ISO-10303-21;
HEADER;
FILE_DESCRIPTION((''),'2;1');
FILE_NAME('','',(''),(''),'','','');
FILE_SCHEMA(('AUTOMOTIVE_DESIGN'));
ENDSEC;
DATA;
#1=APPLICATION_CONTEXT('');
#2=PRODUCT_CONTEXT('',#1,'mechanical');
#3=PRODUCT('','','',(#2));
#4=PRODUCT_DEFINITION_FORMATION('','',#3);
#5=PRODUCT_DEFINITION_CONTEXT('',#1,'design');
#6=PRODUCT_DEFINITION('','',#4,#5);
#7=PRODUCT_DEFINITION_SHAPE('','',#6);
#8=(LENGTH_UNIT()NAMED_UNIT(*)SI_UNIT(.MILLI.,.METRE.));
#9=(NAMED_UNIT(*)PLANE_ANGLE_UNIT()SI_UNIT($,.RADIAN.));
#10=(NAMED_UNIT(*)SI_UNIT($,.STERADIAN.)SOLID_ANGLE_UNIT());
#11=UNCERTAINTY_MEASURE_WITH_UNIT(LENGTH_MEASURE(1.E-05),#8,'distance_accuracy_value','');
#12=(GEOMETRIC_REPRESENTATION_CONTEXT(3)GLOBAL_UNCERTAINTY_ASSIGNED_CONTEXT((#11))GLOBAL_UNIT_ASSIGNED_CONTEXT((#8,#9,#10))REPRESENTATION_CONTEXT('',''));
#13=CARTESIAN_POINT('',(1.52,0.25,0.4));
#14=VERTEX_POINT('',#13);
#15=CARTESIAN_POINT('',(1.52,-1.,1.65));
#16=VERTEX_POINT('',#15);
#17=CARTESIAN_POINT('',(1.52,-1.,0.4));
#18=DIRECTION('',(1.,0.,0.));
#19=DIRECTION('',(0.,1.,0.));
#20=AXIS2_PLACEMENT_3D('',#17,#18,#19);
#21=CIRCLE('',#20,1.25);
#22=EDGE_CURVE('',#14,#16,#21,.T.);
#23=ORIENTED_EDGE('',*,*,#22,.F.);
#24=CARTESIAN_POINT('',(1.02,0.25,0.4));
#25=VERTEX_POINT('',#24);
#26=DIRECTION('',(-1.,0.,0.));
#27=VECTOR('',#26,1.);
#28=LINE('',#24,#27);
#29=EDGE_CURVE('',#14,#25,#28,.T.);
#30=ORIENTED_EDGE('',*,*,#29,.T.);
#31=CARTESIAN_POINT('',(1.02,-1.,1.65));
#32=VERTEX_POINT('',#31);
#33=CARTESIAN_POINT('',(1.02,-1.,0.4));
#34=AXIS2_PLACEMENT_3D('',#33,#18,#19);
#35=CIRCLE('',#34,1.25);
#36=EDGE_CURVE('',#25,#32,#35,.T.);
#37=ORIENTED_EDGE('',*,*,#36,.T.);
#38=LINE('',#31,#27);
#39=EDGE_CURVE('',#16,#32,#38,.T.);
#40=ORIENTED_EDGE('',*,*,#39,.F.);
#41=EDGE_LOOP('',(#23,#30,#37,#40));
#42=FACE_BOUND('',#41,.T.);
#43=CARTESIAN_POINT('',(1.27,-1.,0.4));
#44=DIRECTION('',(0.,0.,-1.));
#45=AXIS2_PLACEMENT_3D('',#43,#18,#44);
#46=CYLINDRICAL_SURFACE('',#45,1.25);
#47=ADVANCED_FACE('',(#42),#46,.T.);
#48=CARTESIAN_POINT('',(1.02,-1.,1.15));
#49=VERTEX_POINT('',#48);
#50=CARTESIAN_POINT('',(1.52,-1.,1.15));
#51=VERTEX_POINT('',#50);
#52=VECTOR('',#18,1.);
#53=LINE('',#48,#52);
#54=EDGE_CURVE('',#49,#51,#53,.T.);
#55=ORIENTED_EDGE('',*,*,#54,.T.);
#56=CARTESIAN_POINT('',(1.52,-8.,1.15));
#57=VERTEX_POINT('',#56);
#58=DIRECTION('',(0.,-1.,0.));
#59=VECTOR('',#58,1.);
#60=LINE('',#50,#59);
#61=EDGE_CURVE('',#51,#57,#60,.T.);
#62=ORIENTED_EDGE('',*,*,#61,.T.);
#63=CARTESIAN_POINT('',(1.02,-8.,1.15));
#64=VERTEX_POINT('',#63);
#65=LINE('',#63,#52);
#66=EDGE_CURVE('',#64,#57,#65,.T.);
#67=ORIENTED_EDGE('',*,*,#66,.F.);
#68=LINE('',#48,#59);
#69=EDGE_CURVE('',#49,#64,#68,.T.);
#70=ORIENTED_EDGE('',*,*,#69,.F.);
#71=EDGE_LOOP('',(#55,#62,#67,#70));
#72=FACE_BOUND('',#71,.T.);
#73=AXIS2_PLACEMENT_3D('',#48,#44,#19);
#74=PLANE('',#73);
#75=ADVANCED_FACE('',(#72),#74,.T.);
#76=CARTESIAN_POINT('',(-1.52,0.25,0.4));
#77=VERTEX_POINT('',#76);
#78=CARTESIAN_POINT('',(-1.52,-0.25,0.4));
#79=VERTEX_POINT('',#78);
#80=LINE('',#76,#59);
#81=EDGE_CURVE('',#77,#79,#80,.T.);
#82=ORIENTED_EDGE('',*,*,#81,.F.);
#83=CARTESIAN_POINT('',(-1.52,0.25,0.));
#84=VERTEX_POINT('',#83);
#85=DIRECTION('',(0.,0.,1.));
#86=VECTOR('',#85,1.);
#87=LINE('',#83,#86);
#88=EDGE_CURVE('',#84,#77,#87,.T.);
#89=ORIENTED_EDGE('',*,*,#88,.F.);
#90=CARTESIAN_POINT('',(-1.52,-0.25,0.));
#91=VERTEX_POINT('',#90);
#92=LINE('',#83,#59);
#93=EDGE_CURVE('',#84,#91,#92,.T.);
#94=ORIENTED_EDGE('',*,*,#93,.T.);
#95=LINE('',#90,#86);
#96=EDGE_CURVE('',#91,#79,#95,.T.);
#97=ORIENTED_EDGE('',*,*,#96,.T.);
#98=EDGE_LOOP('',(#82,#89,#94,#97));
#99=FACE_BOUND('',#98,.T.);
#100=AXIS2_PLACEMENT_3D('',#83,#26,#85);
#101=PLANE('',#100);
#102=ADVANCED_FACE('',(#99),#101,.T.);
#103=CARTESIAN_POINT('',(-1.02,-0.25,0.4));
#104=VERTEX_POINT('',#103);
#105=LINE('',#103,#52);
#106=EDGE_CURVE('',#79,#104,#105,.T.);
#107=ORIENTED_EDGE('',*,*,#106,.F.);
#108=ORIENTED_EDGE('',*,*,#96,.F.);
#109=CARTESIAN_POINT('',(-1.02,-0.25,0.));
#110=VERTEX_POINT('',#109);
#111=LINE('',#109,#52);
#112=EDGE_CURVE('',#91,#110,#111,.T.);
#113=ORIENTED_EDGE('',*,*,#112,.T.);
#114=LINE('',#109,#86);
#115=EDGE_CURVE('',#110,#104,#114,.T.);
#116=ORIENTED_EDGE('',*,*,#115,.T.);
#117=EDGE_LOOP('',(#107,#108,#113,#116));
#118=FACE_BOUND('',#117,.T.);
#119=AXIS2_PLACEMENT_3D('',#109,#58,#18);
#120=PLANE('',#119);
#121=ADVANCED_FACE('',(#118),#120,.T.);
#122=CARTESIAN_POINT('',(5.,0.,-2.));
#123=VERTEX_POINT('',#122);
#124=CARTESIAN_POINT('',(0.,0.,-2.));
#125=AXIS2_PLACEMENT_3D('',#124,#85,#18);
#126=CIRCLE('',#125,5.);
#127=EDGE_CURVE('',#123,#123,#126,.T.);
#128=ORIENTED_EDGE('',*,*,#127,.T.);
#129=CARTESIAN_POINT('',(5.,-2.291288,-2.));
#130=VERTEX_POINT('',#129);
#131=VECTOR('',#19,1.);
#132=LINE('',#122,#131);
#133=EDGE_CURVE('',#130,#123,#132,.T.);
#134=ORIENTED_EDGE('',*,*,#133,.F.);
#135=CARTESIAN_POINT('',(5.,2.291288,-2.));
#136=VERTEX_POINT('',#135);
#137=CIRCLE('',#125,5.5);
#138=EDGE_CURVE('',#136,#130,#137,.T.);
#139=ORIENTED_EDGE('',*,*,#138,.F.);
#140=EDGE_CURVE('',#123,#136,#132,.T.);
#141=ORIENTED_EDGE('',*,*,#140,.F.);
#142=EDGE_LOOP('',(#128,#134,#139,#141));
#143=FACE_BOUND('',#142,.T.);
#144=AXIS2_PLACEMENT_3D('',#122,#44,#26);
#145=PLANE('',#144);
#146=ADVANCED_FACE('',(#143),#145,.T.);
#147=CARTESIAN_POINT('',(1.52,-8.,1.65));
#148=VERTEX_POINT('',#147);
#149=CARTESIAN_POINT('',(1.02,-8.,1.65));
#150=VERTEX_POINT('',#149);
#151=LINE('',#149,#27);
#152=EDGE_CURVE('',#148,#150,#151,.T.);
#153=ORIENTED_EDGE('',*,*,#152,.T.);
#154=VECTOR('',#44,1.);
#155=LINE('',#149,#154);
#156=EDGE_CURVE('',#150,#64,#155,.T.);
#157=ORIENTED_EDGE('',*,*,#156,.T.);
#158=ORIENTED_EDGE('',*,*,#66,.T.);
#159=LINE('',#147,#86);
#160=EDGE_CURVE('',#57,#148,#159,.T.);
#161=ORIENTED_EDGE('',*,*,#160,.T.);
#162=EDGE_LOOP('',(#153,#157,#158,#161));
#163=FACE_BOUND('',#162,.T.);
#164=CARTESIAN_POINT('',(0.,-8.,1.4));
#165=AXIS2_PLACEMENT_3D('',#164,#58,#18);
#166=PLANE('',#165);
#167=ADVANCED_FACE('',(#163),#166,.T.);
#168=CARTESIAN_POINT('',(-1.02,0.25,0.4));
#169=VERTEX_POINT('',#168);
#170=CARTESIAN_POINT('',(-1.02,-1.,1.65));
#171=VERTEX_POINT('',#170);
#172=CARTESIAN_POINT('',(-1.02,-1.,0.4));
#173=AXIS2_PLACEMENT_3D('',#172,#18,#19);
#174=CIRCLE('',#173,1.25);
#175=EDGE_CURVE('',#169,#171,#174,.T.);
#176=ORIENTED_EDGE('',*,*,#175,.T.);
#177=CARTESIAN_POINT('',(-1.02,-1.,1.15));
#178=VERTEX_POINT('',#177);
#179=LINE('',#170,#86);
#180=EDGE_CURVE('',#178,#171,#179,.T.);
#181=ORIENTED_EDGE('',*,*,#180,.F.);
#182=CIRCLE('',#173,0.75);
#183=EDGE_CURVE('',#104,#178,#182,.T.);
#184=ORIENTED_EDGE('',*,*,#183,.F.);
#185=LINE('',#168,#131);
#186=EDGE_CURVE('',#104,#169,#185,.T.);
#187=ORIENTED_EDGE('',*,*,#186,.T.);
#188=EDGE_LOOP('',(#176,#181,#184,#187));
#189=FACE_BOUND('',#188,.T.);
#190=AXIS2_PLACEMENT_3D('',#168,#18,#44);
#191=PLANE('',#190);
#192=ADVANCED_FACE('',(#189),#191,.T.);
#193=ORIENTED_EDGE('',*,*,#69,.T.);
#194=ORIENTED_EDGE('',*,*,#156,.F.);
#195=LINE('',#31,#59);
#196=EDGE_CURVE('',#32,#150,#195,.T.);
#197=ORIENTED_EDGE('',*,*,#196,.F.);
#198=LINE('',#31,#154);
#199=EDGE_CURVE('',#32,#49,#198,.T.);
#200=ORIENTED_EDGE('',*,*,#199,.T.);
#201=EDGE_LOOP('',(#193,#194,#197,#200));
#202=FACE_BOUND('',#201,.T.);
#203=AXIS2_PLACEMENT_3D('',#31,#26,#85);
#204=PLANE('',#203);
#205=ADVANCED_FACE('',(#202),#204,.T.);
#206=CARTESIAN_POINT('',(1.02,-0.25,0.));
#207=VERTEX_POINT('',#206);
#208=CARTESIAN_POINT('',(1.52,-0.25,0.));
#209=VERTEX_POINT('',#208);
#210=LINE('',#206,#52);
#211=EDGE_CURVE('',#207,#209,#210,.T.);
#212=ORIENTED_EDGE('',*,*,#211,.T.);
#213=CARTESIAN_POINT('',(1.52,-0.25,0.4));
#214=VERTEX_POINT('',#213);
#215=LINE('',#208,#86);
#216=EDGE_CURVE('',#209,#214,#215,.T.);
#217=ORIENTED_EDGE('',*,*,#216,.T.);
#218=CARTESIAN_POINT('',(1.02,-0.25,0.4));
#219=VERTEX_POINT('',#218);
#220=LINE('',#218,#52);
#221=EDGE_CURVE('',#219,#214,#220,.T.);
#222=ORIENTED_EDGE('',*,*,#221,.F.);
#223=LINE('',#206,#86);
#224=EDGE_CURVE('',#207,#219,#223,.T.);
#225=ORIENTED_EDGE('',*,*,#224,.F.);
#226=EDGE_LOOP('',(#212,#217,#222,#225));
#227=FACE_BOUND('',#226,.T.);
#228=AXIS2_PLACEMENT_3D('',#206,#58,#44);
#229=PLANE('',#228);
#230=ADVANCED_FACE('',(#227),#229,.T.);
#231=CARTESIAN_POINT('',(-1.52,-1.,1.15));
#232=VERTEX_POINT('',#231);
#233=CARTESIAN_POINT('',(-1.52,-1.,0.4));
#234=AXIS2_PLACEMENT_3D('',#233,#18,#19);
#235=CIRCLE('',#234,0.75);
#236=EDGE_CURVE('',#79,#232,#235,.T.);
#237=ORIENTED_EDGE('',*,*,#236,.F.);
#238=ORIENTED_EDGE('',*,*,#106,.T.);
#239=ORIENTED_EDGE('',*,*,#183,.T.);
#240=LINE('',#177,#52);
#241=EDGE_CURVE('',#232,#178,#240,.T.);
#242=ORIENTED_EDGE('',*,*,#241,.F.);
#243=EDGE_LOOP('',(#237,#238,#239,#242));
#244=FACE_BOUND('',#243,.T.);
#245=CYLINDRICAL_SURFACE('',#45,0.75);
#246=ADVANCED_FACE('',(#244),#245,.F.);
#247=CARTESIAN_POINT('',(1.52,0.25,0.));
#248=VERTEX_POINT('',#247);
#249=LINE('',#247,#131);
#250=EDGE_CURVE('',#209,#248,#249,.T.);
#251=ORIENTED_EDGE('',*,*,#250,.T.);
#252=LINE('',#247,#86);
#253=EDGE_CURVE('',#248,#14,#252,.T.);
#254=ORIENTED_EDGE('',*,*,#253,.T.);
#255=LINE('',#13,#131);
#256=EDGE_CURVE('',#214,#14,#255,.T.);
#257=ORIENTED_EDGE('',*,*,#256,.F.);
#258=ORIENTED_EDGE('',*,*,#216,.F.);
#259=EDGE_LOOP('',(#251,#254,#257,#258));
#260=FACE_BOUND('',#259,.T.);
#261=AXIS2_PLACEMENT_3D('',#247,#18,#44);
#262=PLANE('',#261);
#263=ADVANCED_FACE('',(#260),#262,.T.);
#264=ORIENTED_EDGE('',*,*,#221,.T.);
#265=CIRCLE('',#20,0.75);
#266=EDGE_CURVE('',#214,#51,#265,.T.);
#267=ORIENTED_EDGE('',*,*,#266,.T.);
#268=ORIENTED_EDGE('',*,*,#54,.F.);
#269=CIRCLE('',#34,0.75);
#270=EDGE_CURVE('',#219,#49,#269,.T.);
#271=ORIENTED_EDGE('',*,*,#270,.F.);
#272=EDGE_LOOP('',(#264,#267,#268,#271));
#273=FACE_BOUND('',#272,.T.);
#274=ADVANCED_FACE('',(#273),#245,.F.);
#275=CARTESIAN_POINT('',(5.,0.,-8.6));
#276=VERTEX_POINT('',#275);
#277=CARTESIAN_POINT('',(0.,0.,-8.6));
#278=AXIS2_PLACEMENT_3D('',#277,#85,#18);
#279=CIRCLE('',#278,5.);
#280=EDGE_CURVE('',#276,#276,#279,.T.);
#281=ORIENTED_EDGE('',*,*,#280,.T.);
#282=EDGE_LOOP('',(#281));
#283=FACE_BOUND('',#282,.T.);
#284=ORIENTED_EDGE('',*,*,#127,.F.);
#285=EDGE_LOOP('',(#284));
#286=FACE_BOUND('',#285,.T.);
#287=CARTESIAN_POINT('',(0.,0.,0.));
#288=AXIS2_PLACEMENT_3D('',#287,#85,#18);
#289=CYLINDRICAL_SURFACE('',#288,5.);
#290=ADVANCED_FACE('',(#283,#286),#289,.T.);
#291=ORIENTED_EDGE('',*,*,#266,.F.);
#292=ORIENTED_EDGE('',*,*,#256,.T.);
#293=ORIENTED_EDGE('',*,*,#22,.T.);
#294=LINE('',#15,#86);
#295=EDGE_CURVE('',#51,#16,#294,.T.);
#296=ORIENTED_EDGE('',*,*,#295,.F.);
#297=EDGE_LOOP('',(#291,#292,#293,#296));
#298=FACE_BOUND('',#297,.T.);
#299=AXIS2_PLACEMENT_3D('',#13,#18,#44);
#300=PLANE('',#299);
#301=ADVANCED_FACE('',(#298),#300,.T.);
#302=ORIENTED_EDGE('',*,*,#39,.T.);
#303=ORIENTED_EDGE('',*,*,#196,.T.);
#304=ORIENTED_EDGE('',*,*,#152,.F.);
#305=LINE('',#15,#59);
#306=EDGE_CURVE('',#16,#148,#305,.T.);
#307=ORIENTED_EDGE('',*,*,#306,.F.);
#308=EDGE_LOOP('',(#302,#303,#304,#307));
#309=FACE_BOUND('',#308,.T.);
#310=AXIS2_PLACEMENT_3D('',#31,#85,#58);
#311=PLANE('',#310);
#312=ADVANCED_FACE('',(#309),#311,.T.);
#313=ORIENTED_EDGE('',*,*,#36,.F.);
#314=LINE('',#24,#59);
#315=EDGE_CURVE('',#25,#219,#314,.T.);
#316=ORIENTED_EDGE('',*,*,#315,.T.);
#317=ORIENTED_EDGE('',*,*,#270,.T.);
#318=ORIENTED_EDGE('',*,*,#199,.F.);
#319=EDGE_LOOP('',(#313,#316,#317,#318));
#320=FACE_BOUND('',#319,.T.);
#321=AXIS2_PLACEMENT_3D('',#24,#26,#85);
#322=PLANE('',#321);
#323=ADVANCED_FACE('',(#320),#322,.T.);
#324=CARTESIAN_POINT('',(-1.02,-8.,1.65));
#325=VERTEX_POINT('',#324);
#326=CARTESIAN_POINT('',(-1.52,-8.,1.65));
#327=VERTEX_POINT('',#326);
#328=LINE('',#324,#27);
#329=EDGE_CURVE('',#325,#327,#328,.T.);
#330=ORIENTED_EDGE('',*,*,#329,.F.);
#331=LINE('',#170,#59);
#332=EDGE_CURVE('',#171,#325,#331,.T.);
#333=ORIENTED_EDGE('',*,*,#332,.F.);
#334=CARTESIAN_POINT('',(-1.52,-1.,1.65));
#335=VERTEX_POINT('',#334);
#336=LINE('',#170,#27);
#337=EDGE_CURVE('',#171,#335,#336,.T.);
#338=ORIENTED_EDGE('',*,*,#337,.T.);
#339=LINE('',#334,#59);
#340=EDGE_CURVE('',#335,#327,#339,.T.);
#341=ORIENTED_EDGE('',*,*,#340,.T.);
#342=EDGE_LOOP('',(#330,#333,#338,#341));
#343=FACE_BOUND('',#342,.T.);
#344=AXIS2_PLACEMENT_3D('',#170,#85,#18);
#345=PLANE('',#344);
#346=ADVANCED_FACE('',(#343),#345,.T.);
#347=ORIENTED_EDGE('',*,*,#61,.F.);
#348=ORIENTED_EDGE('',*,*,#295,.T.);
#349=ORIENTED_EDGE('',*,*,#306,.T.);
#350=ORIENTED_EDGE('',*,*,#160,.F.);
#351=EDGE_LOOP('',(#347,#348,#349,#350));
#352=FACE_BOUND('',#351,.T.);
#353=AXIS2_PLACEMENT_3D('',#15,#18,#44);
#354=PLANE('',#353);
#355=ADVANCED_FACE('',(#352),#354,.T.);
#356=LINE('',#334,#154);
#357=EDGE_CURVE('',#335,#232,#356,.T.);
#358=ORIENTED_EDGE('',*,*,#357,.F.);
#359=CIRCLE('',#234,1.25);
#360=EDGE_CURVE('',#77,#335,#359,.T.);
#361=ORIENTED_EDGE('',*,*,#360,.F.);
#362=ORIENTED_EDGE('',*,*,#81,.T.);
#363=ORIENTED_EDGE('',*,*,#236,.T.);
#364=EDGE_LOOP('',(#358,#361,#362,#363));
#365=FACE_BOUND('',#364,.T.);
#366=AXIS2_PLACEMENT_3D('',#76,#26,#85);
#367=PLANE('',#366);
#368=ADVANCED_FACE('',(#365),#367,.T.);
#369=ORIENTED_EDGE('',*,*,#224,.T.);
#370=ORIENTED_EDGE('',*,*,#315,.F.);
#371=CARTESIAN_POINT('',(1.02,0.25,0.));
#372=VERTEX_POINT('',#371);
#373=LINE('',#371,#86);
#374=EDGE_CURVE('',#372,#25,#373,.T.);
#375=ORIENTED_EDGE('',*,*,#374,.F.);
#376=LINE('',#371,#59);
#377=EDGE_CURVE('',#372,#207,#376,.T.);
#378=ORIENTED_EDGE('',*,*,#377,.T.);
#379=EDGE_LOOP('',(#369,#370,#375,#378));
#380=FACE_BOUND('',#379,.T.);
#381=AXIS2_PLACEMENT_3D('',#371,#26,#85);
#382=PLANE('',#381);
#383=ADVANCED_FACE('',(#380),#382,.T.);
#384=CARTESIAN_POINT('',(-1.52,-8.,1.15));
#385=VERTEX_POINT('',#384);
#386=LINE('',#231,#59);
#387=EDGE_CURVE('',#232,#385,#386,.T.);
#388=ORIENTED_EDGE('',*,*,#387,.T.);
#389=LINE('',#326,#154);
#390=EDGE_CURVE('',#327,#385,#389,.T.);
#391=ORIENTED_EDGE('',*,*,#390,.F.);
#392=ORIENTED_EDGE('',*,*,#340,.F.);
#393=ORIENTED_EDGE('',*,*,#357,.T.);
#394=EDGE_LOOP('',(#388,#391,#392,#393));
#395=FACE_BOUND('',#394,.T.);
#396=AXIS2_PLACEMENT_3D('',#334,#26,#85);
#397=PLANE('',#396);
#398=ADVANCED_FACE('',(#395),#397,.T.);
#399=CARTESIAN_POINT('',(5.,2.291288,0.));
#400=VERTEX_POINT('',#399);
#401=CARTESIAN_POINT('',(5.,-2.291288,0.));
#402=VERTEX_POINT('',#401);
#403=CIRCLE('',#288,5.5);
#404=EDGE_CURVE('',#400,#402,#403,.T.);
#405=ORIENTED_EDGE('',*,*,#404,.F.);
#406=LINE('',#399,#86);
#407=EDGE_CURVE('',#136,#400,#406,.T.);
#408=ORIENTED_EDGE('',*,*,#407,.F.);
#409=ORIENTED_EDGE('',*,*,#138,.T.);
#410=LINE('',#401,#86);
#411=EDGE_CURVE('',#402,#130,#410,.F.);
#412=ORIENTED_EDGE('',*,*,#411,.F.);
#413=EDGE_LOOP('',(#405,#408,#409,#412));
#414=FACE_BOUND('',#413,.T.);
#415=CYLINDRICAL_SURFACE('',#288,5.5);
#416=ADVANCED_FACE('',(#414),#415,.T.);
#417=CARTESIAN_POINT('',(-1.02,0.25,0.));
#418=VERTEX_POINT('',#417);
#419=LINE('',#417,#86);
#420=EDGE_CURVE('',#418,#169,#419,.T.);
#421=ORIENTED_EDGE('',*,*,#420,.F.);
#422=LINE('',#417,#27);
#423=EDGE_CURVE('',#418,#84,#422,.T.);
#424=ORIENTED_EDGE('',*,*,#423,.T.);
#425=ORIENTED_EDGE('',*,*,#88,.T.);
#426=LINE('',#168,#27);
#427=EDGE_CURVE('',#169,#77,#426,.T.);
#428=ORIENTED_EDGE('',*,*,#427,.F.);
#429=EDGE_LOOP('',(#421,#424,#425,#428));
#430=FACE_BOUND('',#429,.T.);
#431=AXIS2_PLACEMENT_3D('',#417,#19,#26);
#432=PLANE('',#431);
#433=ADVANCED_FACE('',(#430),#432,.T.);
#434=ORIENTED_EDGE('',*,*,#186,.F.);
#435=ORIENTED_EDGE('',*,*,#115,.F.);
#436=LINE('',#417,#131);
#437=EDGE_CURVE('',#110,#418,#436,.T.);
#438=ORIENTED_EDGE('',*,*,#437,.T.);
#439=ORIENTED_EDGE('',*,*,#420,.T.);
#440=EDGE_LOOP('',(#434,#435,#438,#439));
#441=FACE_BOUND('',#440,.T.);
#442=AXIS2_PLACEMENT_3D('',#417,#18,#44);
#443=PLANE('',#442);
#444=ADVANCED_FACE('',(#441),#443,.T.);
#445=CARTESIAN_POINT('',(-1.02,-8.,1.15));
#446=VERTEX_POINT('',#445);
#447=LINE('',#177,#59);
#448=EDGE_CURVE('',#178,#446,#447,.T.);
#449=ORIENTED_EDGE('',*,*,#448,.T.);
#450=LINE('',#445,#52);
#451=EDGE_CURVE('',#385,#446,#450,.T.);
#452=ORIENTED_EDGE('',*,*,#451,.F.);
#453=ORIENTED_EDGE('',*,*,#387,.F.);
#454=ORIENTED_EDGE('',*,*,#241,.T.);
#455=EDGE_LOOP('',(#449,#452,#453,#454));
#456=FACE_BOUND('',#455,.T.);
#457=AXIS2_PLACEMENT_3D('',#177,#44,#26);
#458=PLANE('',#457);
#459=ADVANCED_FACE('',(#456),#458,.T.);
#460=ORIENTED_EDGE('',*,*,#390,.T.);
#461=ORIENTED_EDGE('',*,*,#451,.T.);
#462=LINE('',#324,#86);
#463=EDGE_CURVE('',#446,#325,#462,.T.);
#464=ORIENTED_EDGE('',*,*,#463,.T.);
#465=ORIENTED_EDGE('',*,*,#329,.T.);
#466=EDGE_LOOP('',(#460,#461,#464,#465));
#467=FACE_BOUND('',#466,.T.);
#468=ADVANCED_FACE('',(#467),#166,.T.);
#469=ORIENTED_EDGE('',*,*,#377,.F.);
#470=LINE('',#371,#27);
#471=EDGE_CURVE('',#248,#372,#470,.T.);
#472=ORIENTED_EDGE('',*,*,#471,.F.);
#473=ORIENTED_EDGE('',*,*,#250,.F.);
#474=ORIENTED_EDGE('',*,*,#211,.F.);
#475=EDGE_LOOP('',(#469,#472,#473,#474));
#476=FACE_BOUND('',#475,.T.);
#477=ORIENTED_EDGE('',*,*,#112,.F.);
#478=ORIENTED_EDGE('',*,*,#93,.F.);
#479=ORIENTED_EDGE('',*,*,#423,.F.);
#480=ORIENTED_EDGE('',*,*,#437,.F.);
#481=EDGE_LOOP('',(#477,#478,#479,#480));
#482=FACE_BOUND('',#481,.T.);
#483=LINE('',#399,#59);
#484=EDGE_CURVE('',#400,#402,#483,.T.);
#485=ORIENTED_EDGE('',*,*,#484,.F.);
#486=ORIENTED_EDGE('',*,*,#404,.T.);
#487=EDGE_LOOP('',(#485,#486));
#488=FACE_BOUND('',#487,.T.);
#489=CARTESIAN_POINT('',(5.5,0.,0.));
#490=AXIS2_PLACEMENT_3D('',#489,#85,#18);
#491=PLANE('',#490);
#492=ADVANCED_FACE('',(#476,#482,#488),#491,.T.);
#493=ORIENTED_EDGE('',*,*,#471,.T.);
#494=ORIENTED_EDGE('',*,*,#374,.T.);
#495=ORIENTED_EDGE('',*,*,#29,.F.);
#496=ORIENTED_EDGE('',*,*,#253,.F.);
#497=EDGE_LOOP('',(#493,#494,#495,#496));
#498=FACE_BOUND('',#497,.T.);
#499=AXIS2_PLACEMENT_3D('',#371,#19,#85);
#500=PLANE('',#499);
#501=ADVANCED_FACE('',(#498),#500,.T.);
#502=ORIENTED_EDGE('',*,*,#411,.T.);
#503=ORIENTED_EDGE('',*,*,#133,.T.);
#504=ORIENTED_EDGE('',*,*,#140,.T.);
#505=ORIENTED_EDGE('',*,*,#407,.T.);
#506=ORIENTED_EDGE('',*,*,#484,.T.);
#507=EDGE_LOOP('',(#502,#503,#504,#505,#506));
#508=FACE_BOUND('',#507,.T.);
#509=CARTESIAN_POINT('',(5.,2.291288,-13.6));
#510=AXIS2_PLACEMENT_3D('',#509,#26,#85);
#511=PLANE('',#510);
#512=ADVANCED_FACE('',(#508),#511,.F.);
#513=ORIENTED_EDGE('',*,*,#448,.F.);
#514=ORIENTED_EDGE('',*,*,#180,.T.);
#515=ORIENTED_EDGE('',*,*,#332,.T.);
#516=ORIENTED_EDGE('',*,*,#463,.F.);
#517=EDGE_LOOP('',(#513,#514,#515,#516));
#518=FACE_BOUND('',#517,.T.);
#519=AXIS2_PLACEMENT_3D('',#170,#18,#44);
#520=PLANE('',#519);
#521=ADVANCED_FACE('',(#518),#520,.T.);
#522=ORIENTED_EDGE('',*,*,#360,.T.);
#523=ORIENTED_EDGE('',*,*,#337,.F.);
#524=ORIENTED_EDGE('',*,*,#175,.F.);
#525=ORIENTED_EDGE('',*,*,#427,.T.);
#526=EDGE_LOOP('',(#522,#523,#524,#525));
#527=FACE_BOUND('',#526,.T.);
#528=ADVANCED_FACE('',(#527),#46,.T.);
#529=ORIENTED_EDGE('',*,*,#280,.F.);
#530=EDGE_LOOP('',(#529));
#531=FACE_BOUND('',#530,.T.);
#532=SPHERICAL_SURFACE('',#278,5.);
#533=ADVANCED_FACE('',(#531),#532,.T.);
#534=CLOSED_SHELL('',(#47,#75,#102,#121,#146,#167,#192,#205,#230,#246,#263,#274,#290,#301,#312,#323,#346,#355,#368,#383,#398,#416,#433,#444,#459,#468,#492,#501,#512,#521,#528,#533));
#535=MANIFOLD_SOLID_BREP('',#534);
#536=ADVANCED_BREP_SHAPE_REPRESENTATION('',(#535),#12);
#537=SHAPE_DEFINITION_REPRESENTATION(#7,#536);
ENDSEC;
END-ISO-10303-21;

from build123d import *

# Parameters (mm, degrees)
SKETCH2_W          = 0.5
SKETCH2_H          = 4.582575694
CUT_EXTRUDE1_DEPTH = 16.667163113
SKETCH3_W          = 0.5
SKETCH3_H          = 0.5


with BuildPart() as part:
    # Sketch1 → Revolve1 (revolve)
    with BuildSketch(Plane(origin=(0, 0, 0), x_dir=(1, 0, 0), z_dir=(0, 1, 0))):
        with BuildLine():
            Line((0, 0), (0, 13.6))
            ThreePointArc((0, 13.6), (3.535533906, 12.135533906), (5, 8.6))
            Line((5, 8.6), (5, 2))
            Line((5, 2), (5.5, 2))
            Line((5.5, 2), (5.5, 0))
            Line((5.5, 0), (0, 0))
        make_face()
    revolve(axis=Axis((0, 0, 0), (0, 0, -1)))

    # Sketch2 → Cut-Extrude1 (cut, through all)
    with BuildSketch(Plane.XY):
        with Locations((5.25, 0)):
            Rectangle(SKETCH2_W, SKETCH2_H)
    extrude(amount=-CUT_EXTRUDE1_DEPTH, mode=Mode.SUBTRACT)

    # Sweep1: sweep along a path in Sketch4
    with BuildLine(Plane(origin=(1.27, 0, 0), x_dir=(0, 0, -1), z_dir=(1, 0, 0))) as sweep1_path:
        Line((0, 0), (-0.4, 0))
        ThreePointArc((-0.4, 0), (-1.107106781, -0.292893219), (-1.4, -1))
        Line((-1.4, -1), (-1.4, -8))
    # Sketch3 → Sweep1 (sweep)
    with BuildSketch(Plane.XY):
        with Locations((-1.27, 0)):
            Rectangle(SKETCH3_W, SKETCH3_H)
        with Locations((1.27, 0)):
            Rectangle(SKETCH3_W, SKETCH3_H)
    sweep(path=sweep1_path.line)


solid = part.part
